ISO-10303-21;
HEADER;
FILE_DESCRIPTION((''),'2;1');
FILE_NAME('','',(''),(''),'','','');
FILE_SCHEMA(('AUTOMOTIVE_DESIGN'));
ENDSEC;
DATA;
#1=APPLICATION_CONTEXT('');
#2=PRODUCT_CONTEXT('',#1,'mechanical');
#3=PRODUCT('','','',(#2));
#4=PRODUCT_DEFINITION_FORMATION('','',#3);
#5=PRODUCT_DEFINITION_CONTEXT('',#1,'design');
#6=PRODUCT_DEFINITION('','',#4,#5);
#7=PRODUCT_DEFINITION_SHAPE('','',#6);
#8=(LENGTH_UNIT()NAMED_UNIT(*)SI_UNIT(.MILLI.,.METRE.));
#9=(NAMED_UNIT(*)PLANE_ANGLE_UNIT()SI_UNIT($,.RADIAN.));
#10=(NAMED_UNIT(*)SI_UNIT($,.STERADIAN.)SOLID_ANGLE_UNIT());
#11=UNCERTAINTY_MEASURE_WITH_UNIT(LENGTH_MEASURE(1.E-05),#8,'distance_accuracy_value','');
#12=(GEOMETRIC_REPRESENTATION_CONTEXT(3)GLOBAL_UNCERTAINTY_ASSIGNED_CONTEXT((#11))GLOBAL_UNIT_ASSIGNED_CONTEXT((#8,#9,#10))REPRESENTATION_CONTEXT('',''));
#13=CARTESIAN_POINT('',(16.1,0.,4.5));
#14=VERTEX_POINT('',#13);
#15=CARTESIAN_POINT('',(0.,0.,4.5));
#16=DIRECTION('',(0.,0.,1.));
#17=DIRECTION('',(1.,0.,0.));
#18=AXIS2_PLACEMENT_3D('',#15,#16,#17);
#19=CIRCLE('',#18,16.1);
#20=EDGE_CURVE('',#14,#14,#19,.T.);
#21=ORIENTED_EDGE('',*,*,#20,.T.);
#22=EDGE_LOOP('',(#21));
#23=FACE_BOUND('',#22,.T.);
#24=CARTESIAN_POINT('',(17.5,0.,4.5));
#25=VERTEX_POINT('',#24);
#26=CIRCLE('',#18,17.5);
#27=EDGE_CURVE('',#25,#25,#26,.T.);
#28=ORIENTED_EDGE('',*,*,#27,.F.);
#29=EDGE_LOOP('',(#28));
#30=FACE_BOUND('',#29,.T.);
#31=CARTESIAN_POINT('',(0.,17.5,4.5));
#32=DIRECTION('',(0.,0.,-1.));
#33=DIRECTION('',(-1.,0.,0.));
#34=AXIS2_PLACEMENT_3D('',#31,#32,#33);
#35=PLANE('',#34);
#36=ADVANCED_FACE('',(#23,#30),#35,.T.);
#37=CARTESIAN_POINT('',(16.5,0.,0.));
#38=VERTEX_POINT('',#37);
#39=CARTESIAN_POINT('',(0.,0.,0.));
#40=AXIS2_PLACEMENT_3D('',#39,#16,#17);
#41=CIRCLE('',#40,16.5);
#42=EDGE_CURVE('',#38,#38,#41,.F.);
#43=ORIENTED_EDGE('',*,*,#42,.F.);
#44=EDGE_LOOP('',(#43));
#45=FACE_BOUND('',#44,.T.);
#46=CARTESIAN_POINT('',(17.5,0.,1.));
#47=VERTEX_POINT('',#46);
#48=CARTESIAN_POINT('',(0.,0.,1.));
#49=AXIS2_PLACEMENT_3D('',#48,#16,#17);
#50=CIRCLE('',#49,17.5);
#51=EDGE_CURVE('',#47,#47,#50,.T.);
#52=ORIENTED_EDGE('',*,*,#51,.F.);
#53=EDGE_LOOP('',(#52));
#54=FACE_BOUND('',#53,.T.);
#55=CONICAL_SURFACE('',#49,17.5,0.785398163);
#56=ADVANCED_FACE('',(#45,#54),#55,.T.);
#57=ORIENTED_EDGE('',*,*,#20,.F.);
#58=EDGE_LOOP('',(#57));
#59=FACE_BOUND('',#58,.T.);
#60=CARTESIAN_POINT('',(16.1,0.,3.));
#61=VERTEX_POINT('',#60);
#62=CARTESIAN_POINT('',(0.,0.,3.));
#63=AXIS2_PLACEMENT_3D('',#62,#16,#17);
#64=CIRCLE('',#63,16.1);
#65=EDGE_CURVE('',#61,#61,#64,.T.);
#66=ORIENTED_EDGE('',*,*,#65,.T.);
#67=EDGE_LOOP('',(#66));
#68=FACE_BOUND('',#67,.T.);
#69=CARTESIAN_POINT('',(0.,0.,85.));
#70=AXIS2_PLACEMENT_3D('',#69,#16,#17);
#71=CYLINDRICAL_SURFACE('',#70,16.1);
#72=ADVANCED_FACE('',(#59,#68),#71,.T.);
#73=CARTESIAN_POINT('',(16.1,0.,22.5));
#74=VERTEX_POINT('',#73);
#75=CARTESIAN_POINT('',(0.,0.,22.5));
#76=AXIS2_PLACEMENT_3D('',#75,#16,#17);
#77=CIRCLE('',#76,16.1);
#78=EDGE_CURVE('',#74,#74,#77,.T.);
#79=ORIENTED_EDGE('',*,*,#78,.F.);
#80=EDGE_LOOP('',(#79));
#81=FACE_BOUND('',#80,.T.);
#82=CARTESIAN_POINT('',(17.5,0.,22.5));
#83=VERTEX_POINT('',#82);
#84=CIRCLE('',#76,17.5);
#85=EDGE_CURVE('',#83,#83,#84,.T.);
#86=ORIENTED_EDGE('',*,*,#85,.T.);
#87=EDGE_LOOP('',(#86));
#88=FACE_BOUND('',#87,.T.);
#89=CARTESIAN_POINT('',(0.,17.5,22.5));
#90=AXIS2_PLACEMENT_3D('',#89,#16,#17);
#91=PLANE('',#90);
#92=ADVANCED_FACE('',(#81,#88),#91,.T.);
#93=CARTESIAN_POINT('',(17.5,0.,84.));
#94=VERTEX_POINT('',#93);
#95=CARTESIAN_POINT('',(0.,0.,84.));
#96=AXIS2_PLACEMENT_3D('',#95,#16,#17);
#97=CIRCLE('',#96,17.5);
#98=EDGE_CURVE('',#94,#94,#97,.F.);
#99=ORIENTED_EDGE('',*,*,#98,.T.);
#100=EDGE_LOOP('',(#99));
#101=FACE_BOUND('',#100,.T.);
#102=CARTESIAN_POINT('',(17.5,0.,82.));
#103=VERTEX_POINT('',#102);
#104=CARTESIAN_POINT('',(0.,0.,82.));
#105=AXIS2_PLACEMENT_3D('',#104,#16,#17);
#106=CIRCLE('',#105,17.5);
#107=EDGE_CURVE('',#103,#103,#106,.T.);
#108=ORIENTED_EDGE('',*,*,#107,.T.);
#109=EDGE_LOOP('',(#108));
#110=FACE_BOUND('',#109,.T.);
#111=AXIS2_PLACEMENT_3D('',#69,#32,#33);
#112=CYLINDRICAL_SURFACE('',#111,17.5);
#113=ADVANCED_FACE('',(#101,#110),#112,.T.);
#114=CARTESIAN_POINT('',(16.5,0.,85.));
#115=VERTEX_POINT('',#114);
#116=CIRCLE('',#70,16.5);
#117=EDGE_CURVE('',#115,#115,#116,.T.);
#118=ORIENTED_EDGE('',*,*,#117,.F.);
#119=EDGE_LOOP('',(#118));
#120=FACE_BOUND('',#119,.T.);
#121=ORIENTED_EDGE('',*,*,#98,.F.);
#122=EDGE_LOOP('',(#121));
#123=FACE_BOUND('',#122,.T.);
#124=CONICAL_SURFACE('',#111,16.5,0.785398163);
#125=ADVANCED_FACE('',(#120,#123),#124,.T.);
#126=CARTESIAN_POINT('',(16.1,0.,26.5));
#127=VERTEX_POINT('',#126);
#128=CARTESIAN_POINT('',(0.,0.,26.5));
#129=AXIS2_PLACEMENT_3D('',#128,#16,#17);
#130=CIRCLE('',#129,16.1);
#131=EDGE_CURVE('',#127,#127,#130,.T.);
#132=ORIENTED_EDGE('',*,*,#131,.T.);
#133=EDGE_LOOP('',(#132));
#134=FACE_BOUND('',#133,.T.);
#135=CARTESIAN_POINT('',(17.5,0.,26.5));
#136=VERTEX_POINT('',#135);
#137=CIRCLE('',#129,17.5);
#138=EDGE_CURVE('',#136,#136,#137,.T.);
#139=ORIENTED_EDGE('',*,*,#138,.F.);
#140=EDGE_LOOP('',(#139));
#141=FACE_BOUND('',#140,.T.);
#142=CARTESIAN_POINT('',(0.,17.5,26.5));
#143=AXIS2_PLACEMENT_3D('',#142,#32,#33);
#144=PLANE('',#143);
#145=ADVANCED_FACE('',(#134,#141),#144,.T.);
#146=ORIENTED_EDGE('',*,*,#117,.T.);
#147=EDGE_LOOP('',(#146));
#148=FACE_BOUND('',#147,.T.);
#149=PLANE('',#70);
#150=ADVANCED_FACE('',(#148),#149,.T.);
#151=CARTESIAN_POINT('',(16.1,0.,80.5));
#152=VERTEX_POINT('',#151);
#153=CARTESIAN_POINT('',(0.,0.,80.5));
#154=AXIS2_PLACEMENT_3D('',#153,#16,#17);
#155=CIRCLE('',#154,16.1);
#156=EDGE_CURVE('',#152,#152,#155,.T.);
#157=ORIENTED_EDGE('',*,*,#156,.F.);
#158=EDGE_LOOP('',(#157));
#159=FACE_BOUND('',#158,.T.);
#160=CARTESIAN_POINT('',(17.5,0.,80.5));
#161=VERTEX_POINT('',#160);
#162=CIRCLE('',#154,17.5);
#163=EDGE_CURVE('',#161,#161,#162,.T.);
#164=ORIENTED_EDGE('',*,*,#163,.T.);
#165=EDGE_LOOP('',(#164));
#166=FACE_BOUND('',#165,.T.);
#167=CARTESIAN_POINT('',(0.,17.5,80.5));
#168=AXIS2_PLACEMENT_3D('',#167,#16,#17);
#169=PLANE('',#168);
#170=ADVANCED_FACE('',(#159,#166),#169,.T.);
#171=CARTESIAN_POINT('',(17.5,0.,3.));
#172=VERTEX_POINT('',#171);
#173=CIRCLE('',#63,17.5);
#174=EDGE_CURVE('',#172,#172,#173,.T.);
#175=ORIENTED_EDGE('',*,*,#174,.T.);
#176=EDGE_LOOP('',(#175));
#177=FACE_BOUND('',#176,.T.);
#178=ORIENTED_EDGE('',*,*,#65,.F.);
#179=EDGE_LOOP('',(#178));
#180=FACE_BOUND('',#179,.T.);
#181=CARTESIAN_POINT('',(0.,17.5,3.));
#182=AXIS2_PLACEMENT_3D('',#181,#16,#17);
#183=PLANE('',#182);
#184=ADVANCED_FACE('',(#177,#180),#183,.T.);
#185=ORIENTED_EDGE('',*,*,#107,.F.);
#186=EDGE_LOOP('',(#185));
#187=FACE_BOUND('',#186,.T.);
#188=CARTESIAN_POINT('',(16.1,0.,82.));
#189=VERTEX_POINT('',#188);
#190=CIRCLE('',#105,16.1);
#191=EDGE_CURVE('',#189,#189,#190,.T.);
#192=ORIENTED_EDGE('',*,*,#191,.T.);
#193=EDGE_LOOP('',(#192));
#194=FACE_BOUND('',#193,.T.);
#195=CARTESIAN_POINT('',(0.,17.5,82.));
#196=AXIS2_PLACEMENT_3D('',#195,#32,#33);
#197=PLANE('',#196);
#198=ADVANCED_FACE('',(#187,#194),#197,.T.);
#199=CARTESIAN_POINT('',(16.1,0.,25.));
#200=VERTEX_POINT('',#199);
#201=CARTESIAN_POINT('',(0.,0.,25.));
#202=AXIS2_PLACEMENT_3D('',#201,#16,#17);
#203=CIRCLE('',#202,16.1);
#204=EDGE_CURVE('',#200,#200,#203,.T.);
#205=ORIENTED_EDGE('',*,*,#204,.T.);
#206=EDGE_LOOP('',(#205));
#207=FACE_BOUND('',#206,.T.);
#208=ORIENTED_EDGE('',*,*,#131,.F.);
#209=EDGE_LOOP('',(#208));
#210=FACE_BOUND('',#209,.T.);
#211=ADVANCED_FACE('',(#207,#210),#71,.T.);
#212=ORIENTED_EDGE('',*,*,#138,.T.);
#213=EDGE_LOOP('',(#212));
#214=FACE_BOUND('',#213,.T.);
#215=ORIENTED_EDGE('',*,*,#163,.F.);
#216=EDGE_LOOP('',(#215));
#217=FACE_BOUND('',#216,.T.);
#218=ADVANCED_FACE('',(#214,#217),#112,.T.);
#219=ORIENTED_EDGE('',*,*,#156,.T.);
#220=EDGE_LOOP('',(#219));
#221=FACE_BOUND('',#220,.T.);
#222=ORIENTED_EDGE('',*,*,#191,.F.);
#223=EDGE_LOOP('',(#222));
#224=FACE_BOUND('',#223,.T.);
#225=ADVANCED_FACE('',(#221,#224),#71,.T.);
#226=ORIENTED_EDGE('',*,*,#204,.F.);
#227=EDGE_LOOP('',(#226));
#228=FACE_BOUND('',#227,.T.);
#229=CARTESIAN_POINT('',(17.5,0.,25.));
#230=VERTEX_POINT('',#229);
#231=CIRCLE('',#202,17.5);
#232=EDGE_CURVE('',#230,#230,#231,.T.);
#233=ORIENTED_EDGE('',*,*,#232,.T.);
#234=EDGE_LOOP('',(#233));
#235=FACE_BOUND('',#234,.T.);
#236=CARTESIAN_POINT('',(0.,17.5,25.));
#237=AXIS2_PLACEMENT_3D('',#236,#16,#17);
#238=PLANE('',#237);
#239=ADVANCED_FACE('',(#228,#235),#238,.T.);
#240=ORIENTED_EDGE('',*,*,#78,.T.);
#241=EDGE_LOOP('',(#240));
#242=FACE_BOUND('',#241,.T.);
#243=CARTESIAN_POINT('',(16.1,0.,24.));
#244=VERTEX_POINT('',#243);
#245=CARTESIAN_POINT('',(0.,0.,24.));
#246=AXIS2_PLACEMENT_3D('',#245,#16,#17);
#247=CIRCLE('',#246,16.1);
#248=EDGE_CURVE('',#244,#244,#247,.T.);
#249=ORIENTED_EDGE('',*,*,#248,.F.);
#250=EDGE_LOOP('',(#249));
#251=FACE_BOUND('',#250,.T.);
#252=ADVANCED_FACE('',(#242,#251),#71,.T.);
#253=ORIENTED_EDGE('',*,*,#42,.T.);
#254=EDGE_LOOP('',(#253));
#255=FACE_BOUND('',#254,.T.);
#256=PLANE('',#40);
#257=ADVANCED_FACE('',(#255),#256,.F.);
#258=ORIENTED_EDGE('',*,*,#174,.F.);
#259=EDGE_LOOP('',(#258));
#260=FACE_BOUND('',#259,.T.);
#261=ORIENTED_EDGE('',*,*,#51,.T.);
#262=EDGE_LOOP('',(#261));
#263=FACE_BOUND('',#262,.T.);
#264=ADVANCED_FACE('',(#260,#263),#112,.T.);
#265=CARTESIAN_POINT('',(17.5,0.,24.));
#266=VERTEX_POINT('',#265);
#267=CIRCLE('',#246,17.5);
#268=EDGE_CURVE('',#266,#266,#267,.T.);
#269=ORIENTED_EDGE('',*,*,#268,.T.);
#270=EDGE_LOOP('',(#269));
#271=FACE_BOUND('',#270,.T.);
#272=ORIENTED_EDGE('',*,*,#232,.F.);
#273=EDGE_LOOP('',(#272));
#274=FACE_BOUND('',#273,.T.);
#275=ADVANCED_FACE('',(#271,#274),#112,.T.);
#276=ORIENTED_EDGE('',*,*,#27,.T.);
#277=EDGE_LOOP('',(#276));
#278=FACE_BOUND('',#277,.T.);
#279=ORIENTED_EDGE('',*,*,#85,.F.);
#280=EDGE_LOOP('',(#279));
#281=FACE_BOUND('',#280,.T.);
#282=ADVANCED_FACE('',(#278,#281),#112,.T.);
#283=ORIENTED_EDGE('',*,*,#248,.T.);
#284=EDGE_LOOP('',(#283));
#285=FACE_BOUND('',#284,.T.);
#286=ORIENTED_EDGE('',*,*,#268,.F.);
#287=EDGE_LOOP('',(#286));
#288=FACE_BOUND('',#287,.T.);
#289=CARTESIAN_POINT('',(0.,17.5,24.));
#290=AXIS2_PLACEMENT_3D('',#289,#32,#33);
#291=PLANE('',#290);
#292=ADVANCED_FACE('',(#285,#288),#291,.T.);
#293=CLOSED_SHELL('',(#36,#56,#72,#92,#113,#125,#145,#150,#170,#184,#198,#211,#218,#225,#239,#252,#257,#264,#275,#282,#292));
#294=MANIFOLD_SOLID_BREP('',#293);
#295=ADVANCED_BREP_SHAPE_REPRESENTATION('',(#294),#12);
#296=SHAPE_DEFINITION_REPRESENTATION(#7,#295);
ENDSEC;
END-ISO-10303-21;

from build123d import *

# Parameters (mm, degrees)
SKETCH1_R     = 17.5
BODY_DEPTH    = 85
SKETCH2_W     = 1.5
SKETCH2_H     = 1.4
CHAMFER1_SIZE = 1


with BuildPart() as part:
    # Sketch1 → Body (new body)
    with BuildSketch(Plane.XY):
        Circle(SKETCH1_R)
    extrude(amount=BODY_DEPTH)

    # Sketch2 → Ret Ring Grooves (revolve, cut)
    with BuildSketch(Plane(origin=(0, 0, 0), x_dir=(0, 0, -1), z_dir=(1, 0, 0)), mode=Mode.PRIVATE) as ret_ring_grooves_sk:
        with Locations((-3.75, 16.8)):
            Rectangle(SKETCH2_W, SKETCH2_H)
        with Locations((-23.25, 16.8)):
            Rectangle(SKETCH2_W, SKETCH2_H)
        with Locations((-25.75, 16.8)):
            Rectangle(SKETCH2_W, SKETCH2_H)
        with Locations((-81.25, 16.8)):
            Rectangle(SKETCH2_W, SKETCH2_H)
    revolve(ret_ring_grooves_sk.sketch.rotate(Axis((0, 0, 85), (0, 0, -1)), 90), axis=Axis((0, 0, 85), (0, 0, -1)), mode=Mode.SUBTRACT)

    # Chamfer1
    chamfer1_edges = [part.edges().sort_by_distance(p)[0] for p in [
        (-17.5, 0, 0),
        (-17.5, 0, 85),
    ]]
    chamfer(chamfer1_edges, length=CHAMFER1_SIZE)


solid = part.part
